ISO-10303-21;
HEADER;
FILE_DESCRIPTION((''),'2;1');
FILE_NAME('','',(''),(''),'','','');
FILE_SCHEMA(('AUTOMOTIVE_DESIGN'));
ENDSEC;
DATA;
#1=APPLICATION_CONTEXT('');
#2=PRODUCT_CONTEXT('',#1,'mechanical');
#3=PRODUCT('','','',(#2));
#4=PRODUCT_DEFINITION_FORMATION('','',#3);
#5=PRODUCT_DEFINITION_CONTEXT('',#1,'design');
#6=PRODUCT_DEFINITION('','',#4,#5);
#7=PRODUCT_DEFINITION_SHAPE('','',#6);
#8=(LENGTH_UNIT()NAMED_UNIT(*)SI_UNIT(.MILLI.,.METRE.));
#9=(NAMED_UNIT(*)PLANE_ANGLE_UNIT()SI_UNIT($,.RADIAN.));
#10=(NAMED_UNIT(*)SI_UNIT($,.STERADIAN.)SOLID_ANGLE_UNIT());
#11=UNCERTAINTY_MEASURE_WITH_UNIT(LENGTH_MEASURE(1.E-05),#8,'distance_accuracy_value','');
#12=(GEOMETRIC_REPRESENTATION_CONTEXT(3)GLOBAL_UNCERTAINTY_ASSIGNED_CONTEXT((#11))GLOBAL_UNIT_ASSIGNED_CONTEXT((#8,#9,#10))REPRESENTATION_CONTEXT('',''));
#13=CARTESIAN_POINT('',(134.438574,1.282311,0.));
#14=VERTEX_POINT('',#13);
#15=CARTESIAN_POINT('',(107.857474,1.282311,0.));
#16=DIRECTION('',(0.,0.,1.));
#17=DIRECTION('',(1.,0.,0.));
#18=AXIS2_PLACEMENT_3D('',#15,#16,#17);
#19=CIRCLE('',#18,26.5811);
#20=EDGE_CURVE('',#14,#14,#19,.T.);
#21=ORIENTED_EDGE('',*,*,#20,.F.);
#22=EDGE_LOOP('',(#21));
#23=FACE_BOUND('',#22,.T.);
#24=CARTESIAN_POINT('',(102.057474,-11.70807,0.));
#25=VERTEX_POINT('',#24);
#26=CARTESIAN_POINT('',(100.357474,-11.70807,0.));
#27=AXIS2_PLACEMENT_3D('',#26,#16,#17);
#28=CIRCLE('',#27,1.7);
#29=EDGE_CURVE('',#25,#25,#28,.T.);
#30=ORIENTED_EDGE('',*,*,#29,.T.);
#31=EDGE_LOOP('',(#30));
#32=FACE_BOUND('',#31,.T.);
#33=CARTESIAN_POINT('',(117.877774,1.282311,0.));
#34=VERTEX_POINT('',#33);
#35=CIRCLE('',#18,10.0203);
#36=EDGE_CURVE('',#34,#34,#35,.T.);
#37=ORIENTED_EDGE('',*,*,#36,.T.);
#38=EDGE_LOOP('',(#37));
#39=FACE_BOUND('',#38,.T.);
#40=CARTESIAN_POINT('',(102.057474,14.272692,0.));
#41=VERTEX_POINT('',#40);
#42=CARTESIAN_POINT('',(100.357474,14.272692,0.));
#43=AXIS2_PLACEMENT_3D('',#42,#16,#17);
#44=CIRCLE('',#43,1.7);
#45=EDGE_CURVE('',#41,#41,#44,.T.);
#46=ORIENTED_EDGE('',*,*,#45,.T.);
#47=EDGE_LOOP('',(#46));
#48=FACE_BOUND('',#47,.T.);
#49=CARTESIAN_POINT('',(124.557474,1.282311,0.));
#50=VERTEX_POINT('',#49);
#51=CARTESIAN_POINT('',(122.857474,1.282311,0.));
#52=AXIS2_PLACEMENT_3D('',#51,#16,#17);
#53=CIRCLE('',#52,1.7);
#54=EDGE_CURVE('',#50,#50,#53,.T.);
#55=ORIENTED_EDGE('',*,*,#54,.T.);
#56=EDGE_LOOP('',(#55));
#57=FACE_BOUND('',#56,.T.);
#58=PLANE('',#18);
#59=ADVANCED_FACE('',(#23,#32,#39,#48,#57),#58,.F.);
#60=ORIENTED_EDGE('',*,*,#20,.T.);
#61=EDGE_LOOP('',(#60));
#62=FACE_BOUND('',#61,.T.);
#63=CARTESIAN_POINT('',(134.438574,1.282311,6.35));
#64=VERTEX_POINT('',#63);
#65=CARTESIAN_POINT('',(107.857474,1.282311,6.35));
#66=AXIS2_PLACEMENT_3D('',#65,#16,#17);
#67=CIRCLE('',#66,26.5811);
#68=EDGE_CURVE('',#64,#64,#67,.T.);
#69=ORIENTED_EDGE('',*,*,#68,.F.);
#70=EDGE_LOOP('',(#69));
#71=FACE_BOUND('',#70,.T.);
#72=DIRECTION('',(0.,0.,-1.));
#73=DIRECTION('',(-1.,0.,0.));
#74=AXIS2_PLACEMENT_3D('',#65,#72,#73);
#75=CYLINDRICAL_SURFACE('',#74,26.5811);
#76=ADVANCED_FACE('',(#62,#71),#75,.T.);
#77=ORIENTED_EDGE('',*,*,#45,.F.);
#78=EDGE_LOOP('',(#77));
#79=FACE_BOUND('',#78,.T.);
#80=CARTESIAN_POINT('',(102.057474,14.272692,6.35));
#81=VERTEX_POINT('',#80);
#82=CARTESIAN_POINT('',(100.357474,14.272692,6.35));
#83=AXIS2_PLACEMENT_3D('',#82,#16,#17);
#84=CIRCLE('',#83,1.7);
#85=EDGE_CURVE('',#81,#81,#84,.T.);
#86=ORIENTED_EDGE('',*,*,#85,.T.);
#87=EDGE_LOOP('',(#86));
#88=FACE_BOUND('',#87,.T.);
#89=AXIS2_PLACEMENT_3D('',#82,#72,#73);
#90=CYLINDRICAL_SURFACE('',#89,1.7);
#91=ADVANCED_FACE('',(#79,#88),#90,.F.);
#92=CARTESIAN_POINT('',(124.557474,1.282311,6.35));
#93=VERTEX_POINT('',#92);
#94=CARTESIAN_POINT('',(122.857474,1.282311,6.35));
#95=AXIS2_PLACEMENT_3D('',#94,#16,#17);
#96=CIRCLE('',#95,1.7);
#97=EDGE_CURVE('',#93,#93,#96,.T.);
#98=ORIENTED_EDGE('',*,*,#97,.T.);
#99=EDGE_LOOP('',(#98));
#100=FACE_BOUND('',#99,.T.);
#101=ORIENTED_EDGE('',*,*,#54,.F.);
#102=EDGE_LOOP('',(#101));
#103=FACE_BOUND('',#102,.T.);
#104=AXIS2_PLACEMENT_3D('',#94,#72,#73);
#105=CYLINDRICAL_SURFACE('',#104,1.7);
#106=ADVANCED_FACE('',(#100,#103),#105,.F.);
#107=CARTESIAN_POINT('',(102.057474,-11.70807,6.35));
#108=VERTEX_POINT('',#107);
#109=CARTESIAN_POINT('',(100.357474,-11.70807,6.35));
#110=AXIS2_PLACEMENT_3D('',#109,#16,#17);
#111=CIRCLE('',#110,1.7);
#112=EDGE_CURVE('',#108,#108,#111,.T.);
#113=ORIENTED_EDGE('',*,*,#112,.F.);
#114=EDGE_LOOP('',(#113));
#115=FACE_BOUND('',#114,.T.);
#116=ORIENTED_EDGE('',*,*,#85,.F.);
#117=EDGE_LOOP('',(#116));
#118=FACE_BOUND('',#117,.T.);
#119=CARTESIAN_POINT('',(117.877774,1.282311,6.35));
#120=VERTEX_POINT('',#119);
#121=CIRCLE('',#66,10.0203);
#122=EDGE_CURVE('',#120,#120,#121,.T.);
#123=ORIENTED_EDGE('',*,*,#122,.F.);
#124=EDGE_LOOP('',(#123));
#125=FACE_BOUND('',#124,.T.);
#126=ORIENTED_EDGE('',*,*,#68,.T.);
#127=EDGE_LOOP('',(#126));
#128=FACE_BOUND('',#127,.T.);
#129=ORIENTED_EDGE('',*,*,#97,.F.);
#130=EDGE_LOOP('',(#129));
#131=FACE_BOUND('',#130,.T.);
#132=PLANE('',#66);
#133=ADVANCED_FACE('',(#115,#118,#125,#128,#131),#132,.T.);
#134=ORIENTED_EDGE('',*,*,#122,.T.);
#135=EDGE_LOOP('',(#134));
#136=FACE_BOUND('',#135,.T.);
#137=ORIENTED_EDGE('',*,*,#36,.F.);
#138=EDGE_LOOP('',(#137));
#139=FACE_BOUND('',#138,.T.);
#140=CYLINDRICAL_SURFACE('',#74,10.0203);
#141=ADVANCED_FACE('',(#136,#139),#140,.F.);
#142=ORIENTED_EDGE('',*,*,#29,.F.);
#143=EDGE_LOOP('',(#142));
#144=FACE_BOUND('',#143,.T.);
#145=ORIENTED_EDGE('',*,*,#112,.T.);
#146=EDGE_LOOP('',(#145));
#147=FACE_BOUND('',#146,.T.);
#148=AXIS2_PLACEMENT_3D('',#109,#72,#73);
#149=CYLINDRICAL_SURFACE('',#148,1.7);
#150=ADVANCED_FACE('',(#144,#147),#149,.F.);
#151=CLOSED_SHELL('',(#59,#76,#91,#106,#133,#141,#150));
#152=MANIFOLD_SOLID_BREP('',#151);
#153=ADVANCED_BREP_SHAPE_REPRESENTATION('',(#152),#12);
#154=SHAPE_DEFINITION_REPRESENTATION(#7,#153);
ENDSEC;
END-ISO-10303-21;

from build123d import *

# Parameters (mm, degrees)
SKETCH1_R           = 26.5811
SKETCH1_R_2         = 10.0203
SKETCH1_R_3         = 1.7
BOSS_EXTRUDE1_DEPTH = 6.35


with BuildPart() as part:
    # Sketch1 → Boss-Extrude1 (new body)
    with BuildSketch(Plane.XY):
        with Locations((107.857474429, 1.282311101)):
            Circle(SKETCH1_R)
        with Locations((107.857474429, 1.282311101)):
            Circle(SKETCH1_R_2, mode=Mode.SUBTRACT)
        with Locations((100.357474429, -11.708069956)):
            Circle(SKETCH1_R_3, mode=Mode.SUBTRACT)
        with Locations((122.857474429, 1.282311101)):
            Circle(SKETCH1_R_3, mode=Mode.SUBTRACT)
        with Locations((100.357474429, 14.272692158)):
            Circle(SKETCH1_R_3, mode=Mode.SUBTRACT)
    extrude(amount=BOSS_EXTRUDE1_DEPTH)


solid = part.part
